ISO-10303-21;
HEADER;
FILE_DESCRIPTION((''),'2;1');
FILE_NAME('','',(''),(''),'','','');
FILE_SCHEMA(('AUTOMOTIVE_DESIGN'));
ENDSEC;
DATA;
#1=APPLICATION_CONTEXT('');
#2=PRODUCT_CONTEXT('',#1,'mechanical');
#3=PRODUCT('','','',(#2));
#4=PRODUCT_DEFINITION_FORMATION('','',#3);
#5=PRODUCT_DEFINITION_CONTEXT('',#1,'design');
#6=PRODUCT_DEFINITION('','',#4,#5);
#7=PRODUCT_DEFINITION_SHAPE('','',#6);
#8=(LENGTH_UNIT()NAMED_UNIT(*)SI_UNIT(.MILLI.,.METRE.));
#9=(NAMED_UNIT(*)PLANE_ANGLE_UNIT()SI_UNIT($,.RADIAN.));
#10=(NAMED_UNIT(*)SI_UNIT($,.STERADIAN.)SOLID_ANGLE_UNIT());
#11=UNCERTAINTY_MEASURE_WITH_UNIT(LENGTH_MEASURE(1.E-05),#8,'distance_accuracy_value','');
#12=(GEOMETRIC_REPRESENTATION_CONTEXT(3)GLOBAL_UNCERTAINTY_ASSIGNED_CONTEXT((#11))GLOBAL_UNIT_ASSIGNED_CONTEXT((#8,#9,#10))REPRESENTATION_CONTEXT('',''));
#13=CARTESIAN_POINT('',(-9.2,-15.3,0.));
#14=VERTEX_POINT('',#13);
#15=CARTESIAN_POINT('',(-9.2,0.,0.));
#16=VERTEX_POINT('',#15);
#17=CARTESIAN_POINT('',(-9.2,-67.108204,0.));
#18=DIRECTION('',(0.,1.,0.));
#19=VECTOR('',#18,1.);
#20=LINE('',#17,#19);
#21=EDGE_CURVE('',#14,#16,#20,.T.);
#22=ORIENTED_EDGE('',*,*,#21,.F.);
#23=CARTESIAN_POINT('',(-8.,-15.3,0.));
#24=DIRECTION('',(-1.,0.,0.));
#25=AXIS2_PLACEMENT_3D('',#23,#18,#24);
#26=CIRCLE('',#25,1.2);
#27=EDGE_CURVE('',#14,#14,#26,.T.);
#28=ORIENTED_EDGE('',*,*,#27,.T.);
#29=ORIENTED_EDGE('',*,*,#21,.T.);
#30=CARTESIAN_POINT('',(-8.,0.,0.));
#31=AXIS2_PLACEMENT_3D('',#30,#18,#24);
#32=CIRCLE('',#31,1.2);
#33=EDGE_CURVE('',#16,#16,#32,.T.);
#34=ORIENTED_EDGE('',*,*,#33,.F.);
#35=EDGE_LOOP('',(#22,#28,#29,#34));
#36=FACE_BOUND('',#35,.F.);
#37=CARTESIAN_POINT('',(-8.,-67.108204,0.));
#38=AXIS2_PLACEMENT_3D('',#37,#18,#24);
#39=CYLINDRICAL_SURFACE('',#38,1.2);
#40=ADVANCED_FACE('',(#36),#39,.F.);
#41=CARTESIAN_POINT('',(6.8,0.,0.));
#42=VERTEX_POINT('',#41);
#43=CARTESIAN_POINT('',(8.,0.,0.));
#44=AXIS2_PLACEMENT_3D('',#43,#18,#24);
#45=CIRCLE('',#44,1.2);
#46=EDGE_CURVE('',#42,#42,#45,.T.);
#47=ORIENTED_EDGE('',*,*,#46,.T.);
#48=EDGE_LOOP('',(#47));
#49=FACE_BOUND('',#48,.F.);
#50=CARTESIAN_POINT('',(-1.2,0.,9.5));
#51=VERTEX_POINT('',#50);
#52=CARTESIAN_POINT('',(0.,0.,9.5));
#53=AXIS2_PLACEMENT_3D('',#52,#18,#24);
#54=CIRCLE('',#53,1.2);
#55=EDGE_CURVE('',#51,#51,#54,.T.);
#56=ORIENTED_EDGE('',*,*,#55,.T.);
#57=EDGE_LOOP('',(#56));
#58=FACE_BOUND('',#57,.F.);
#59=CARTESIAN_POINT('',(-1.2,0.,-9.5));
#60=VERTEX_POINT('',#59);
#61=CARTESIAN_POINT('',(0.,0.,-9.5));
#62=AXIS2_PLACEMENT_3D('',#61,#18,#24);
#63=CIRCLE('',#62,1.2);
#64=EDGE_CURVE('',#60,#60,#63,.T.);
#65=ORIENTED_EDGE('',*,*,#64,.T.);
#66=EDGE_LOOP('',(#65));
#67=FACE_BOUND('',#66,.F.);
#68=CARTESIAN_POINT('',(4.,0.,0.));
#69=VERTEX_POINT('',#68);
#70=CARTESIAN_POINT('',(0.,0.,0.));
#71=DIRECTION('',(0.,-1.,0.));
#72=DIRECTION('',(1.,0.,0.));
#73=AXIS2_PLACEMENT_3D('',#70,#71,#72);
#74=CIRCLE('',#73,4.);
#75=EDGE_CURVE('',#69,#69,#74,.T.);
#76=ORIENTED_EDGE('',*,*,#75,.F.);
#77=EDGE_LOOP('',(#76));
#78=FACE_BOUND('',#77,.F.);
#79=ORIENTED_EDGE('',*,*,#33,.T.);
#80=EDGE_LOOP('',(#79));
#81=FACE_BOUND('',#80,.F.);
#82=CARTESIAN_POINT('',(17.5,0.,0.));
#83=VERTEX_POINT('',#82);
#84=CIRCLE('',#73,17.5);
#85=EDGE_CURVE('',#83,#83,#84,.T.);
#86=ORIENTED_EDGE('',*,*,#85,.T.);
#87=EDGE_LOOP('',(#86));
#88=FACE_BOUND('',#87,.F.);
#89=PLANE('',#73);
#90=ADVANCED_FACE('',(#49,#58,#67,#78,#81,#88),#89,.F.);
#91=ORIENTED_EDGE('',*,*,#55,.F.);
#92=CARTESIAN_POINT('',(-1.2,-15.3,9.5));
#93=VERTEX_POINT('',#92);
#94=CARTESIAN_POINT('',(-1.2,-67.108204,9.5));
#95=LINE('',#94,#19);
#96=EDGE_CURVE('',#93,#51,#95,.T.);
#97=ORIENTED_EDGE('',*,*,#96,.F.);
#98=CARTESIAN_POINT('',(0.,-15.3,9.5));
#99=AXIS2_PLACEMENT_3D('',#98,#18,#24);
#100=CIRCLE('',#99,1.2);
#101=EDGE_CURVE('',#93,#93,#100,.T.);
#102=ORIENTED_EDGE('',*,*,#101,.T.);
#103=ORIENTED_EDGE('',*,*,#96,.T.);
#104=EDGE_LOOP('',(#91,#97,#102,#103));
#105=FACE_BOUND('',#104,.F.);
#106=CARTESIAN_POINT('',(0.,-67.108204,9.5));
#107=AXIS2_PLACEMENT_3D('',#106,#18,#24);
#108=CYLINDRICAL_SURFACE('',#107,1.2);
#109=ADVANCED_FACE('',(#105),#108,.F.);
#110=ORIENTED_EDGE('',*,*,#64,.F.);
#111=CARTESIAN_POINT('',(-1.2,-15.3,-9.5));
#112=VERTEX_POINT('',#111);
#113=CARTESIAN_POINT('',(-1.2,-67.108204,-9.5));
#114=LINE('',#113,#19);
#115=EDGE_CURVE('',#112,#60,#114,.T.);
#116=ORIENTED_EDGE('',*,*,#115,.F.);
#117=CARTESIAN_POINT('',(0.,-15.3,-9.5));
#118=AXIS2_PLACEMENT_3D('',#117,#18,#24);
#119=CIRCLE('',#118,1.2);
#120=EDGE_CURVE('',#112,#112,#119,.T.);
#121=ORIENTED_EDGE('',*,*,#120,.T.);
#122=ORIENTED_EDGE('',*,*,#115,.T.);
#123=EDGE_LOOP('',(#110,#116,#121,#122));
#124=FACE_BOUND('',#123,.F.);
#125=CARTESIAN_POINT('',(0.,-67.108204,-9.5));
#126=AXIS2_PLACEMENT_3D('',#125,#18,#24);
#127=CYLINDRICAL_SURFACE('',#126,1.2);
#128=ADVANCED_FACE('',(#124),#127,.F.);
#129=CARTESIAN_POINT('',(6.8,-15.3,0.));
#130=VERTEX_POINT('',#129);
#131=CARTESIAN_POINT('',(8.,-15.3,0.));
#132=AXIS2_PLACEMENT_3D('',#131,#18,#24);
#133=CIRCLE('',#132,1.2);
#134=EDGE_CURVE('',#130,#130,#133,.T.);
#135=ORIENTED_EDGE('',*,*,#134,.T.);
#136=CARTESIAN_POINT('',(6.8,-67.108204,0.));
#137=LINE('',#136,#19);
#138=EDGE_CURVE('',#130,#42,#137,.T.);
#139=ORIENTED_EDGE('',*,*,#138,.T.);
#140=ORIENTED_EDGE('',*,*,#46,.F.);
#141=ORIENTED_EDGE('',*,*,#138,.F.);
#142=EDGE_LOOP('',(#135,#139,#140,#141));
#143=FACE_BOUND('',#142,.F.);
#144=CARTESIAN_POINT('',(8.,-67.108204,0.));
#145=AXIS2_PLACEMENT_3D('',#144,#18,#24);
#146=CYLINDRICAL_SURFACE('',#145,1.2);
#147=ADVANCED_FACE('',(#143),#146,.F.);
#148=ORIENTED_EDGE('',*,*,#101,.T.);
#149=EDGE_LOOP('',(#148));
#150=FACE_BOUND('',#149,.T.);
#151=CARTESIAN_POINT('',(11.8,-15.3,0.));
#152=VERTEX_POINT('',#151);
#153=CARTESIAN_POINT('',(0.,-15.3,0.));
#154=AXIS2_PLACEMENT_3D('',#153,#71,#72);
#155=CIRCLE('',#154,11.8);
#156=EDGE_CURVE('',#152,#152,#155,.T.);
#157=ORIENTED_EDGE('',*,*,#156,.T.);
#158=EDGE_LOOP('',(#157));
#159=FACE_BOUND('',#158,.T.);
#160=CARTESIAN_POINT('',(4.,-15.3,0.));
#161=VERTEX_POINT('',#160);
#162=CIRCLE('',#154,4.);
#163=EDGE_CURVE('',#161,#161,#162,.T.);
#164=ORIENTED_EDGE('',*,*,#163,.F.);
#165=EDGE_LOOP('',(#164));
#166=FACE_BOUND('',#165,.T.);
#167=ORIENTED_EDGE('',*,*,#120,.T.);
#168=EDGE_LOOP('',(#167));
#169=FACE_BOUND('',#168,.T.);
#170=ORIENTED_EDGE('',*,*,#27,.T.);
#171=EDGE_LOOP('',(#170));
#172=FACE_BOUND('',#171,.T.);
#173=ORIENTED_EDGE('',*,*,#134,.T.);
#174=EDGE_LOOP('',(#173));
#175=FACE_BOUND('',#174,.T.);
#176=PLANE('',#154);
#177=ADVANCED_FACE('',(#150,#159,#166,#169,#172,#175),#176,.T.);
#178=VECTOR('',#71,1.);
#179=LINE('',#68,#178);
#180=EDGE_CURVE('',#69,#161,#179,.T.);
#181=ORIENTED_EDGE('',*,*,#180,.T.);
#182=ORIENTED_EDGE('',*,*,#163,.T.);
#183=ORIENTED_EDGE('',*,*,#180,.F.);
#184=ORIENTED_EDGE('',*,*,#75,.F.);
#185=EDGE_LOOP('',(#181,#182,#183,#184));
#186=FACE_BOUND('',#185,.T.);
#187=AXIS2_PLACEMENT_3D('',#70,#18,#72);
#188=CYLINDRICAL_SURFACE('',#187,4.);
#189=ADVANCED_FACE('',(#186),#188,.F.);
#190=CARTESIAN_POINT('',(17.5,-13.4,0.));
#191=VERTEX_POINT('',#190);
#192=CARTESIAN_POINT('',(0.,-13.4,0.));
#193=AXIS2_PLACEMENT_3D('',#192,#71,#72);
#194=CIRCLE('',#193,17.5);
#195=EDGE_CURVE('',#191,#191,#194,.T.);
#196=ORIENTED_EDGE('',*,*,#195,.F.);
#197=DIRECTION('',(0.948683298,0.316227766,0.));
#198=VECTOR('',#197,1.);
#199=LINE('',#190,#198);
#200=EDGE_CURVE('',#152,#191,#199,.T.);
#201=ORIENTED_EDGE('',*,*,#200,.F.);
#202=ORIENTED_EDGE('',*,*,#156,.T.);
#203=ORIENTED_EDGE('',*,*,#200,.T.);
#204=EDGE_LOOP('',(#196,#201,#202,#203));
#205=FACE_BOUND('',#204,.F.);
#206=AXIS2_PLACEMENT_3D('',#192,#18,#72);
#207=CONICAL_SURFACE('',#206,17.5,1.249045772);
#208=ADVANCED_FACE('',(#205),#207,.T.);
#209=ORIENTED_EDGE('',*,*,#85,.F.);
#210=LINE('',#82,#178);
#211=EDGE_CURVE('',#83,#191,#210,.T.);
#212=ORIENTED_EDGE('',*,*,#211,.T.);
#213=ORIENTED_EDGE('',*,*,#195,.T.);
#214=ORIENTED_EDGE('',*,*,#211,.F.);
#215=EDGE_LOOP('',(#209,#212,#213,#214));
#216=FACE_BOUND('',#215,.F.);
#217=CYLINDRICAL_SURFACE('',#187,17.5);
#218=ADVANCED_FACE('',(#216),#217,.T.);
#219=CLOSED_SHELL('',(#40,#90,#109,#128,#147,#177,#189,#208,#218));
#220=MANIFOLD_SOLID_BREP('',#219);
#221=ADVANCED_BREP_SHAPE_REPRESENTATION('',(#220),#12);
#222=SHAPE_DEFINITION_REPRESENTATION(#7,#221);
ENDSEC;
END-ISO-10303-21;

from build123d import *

# Parameters (mm, degrees)
F0_R     = 17.5
F0_R_2   = 4
F1_DEPTH = 15.3
F2_SIZE2 = 1.9
F2_SIZE  = 5.7
F4_D     = 2.4


with BuildPart() as f1:
    # F0 (on Front) → F1 (new body)
    with BuildSketch(Plane.XZ):
        Circle(F0_R)
        Circle(F0_R_2, mode=Mode.SUBTRACT)
    extrude(amount=F1_DEPTH)

    # F2
    f2_edges = [f1.edges().sort_by_distance(p)[0] for p in [
        (-17.5, -15.3, 0),
    ]]
    f2_side = f1.faces().sort_by_distance((-17.005025, -15.3, 0))[0]
    chamfer(f2_edges, length=F2_SIZE, length2=F2_SIZE2, reference=f2_side)

    # F4 (through all)
    with Locations(Plane.XZ.offset(15.3)):
        with Locations((0, 9.5), (-8, 0), (0, -9.5), (8, 0)):
            Hole(F4_D / 2)


solid = f1.part
